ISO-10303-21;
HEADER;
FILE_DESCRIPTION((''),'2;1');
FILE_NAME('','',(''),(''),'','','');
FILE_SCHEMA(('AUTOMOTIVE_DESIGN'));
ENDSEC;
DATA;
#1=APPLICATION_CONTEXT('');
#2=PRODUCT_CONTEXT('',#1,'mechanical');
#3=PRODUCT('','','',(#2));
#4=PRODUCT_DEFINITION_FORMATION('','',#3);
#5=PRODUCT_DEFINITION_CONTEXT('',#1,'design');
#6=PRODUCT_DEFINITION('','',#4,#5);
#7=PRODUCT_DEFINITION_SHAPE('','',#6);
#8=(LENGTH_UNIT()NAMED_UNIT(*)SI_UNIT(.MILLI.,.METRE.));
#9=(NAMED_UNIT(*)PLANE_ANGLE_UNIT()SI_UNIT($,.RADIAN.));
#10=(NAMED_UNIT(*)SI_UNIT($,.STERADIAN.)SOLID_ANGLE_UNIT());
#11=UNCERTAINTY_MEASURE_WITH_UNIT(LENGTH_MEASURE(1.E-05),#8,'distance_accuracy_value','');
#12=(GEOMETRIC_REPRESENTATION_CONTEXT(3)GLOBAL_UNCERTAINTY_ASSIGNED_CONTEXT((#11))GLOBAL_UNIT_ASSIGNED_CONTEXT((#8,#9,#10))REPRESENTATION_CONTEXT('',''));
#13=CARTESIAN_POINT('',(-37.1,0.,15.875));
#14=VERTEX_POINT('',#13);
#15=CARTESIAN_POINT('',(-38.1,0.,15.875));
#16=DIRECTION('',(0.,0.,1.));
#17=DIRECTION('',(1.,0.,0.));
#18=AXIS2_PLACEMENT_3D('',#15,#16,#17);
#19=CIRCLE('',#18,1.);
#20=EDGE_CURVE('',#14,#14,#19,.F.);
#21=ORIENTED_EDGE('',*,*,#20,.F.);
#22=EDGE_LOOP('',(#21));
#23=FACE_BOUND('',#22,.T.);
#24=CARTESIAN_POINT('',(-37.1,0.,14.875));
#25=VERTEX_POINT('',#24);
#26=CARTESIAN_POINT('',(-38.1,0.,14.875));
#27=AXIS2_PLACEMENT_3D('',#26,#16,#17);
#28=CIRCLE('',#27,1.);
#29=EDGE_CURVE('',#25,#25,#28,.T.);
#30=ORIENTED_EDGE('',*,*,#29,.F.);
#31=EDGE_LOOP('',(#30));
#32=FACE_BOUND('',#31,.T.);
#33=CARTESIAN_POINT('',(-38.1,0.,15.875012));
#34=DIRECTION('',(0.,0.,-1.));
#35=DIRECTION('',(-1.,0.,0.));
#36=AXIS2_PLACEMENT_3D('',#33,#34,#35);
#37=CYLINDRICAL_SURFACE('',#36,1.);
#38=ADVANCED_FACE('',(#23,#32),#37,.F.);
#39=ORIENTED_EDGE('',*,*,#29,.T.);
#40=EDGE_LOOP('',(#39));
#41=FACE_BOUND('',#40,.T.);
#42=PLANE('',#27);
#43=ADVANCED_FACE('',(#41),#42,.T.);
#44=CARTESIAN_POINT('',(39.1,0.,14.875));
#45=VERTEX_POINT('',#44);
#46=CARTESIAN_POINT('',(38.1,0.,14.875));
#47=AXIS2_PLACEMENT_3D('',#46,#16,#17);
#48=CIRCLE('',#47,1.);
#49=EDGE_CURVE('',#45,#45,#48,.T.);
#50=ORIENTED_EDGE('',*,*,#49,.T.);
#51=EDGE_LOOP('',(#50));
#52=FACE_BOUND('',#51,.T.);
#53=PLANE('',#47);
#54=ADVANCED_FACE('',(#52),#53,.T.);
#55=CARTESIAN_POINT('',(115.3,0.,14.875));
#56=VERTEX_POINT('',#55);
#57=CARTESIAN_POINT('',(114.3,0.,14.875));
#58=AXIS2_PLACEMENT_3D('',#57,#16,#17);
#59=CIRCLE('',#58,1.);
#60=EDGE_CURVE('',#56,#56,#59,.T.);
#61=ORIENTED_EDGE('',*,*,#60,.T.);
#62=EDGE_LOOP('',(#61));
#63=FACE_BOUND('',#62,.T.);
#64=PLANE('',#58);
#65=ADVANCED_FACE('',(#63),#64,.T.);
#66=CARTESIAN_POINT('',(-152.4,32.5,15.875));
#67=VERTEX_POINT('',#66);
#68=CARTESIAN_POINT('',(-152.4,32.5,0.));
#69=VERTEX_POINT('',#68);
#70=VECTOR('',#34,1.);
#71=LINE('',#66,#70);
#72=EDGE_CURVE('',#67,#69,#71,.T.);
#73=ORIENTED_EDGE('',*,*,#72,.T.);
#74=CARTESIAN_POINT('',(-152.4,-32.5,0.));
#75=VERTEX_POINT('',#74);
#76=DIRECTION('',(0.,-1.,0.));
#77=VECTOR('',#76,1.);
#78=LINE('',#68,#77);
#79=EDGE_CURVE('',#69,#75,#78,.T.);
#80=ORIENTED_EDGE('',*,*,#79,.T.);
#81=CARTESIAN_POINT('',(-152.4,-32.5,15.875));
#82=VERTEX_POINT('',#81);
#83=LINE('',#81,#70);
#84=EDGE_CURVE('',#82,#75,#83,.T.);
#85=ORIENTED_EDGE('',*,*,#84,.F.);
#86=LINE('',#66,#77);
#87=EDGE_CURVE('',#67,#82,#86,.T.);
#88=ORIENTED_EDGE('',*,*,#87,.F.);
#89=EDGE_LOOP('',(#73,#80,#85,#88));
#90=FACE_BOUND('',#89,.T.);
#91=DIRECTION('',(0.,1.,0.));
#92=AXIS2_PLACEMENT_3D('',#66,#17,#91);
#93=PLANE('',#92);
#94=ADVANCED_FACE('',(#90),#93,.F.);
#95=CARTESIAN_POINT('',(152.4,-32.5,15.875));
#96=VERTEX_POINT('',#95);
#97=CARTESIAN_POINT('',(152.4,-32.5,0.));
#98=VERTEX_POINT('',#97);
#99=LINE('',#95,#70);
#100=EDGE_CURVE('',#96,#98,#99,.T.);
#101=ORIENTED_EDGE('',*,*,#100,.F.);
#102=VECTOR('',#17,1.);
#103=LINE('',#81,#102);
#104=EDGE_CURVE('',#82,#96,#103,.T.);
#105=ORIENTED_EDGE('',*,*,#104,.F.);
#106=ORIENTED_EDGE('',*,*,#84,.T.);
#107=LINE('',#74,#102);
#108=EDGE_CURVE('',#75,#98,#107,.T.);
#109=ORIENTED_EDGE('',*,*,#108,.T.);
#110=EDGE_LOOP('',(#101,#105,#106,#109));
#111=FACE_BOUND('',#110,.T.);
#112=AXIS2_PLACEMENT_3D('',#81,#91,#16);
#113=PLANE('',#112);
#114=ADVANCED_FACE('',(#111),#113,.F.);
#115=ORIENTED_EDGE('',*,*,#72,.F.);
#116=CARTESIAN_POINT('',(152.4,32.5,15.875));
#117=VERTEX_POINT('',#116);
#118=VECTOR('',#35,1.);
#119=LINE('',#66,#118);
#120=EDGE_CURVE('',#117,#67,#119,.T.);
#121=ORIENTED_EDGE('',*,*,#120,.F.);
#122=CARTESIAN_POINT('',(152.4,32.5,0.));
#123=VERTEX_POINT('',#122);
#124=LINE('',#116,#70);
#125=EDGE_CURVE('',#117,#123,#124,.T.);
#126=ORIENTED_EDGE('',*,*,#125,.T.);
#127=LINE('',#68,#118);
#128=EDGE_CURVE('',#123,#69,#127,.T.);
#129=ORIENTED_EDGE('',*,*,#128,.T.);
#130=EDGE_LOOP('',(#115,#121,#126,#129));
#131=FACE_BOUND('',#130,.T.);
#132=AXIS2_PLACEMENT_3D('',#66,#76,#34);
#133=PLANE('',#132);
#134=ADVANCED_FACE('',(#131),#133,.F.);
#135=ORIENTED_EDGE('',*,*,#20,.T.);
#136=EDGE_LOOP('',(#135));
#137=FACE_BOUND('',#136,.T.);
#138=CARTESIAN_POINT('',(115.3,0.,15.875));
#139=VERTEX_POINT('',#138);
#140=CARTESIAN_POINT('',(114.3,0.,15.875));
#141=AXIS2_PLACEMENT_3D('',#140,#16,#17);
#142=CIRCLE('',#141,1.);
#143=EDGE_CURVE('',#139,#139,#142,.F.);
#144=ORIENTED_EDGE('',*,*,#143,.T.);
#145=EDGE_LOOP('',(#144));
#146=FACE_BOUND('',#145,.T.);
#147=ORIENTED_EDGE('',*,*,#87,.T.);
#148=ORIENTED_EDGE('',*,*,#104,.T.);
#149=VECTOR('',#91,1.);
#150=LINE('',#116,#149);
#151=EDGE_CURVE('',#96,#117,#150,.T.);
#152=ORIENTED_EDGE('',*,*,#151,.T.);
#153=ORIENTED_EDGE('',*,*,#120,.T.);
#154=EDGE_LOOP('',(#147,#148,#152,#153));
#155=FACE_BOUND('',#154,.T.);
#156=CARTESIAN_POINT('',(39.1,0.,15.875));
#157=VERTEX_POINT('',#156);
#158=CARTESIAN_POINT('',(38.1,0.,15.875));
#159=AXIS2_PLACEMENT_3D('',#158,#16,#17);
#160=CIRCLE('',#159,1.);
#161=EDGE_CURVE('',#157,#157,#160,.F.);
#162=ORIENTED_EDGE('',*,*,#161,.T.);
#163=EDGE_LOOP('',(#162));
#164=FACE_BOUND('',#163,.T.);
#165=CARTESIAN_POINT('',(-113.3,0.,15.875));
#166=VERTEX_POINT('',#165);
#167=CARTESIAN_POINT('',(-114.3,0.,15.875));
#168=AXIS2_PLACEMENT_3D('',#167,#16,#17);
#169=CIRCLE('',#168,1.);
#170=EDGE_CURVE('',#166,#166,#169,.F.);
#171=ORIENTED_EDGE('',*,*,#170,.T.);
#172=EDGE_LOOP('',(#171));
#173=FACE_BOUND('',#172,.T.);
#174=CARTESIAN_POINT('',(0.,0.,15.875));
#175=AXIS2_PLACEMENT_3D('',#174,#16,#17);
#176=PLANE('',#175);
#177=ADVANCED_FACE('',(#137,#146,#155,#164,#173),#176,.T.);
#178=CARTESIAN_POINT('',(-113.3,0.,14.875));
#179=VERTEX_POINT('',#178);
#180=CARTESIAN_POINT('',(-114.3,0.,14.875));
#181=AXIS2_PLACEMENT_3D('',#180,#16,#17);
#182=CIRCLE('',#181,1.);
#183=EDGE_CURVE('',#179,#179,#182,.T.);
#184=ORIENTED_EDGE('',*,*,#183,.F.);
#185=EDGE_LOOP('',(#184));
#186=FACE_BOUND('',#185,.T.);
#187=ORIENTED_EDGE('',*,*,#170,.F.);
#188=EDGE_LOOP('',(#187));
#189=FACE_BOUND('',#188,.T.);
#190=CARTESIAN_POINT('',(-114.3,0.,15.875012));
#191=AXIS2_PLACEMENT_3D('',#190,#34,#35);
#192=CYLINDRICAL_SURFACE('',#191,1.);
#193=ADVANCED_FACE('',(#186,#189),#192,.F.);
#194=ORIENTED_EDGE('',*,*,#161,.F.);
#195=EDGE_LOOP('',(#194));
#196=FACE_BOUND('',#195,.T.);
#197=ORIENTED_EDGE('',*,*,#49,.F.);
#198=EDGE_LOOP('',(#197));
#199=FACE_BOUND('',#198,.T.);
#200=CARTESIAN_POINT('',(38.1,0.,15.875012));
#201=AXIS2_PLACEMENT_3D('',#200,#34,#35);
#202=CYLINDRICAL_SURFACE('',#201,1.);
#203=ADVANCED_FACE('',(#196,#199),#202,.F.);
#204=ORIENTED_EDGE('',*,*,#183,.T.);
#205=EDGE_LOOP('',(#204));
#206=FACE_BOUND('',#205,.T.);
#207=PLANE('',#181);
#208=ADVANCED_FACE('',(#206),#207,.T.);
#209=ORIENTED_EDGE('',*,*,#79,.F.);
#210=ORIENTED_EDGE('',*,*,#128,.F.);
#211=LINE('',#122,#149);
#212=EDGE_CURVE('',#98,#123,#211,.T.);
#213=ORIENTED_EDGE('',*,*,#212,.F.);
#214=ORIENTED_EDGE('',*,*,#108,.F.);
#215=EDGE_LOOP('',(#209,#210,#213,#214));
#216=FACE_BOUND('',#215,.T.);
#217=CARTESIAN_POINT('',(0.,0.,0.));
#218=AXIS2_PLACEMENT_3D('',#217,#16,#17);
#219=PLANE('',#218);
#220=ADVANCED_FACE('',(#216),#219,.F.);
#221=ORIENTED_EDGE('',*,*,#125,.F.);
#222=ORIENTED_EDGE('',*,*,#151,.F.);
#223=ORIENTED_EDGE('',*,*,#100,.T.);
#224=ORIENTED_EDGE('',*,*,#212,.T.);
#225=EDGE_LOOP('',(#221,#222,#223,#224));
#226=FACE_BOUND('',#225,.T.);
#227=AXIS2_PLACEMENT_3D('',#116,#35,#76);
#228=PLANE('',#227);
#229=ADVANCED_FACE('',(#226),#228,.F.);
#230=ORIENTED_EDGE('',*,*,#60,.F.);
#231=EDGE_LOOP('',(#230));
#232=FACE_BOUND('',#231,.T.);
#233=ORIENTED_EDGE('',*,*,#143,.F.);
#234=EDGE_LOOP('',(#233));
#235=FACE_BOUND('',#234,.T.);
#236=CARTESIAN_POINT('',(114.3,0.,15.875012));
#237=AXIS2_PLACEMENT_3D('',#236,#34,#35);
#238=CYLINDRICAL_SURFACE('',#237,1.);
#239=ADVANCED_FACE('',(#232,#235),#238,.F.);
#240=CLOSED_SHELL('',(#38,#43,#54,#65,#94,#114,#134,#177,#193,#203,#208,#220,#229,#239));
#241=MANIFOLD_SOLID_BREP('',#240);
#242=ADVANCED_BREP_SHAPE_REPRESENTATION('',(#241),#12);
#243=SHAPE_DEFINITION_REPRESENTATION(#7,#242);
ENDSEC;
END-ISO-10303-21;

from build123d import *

# Parameters (mm, degrees)
SKETCH1_W               = 304.8
SKETCH1_H               = 65
BOSS_EXTRUDE1_DEPTH     = 15.875
SKETCH2_R               = 1
CUT_EXTRUDE1_DEPTH      = 1
CUT_EXTRUDE1_DEPTH_BACK = 1


with BuildPart() as part:
    # Sketch1 → Boss-Extrude1 (new body)
    with BuildSketch(Plane.XY):
        Rectangle(SKETCH1_W, SKETCH1_H)
    extrude(amount=BOSS_EXTRUDE1_DEPTH)

    # Sketch2 → Cut-Extrude1 (cut, two sides)
    with BuildSketch(Plane.XY.offset(15.875)) as cut_extrude1_sk:
        with Locations((-38.1, 0)):
            Circle(SKETCH2_R)
        with Locations((-114.3, 0)):
            Circle(SKETCH2_R)
        with Locations((114.3, 0)):
            Circle(SKETCH2_R)
        with Locations((38.1, 0)):
            Circle(SKETCH2_R)
    extrude(amount=CUT_EXTRUDE1_DEPTH, mode=Mode.SUBTRACT)
    extrude(cut_extrude1_sk.sketch, amount=-CUT_EXTRUDE1_DEPTH_BACK, mode=Mode.SUBTRACT)


solid = part.part
